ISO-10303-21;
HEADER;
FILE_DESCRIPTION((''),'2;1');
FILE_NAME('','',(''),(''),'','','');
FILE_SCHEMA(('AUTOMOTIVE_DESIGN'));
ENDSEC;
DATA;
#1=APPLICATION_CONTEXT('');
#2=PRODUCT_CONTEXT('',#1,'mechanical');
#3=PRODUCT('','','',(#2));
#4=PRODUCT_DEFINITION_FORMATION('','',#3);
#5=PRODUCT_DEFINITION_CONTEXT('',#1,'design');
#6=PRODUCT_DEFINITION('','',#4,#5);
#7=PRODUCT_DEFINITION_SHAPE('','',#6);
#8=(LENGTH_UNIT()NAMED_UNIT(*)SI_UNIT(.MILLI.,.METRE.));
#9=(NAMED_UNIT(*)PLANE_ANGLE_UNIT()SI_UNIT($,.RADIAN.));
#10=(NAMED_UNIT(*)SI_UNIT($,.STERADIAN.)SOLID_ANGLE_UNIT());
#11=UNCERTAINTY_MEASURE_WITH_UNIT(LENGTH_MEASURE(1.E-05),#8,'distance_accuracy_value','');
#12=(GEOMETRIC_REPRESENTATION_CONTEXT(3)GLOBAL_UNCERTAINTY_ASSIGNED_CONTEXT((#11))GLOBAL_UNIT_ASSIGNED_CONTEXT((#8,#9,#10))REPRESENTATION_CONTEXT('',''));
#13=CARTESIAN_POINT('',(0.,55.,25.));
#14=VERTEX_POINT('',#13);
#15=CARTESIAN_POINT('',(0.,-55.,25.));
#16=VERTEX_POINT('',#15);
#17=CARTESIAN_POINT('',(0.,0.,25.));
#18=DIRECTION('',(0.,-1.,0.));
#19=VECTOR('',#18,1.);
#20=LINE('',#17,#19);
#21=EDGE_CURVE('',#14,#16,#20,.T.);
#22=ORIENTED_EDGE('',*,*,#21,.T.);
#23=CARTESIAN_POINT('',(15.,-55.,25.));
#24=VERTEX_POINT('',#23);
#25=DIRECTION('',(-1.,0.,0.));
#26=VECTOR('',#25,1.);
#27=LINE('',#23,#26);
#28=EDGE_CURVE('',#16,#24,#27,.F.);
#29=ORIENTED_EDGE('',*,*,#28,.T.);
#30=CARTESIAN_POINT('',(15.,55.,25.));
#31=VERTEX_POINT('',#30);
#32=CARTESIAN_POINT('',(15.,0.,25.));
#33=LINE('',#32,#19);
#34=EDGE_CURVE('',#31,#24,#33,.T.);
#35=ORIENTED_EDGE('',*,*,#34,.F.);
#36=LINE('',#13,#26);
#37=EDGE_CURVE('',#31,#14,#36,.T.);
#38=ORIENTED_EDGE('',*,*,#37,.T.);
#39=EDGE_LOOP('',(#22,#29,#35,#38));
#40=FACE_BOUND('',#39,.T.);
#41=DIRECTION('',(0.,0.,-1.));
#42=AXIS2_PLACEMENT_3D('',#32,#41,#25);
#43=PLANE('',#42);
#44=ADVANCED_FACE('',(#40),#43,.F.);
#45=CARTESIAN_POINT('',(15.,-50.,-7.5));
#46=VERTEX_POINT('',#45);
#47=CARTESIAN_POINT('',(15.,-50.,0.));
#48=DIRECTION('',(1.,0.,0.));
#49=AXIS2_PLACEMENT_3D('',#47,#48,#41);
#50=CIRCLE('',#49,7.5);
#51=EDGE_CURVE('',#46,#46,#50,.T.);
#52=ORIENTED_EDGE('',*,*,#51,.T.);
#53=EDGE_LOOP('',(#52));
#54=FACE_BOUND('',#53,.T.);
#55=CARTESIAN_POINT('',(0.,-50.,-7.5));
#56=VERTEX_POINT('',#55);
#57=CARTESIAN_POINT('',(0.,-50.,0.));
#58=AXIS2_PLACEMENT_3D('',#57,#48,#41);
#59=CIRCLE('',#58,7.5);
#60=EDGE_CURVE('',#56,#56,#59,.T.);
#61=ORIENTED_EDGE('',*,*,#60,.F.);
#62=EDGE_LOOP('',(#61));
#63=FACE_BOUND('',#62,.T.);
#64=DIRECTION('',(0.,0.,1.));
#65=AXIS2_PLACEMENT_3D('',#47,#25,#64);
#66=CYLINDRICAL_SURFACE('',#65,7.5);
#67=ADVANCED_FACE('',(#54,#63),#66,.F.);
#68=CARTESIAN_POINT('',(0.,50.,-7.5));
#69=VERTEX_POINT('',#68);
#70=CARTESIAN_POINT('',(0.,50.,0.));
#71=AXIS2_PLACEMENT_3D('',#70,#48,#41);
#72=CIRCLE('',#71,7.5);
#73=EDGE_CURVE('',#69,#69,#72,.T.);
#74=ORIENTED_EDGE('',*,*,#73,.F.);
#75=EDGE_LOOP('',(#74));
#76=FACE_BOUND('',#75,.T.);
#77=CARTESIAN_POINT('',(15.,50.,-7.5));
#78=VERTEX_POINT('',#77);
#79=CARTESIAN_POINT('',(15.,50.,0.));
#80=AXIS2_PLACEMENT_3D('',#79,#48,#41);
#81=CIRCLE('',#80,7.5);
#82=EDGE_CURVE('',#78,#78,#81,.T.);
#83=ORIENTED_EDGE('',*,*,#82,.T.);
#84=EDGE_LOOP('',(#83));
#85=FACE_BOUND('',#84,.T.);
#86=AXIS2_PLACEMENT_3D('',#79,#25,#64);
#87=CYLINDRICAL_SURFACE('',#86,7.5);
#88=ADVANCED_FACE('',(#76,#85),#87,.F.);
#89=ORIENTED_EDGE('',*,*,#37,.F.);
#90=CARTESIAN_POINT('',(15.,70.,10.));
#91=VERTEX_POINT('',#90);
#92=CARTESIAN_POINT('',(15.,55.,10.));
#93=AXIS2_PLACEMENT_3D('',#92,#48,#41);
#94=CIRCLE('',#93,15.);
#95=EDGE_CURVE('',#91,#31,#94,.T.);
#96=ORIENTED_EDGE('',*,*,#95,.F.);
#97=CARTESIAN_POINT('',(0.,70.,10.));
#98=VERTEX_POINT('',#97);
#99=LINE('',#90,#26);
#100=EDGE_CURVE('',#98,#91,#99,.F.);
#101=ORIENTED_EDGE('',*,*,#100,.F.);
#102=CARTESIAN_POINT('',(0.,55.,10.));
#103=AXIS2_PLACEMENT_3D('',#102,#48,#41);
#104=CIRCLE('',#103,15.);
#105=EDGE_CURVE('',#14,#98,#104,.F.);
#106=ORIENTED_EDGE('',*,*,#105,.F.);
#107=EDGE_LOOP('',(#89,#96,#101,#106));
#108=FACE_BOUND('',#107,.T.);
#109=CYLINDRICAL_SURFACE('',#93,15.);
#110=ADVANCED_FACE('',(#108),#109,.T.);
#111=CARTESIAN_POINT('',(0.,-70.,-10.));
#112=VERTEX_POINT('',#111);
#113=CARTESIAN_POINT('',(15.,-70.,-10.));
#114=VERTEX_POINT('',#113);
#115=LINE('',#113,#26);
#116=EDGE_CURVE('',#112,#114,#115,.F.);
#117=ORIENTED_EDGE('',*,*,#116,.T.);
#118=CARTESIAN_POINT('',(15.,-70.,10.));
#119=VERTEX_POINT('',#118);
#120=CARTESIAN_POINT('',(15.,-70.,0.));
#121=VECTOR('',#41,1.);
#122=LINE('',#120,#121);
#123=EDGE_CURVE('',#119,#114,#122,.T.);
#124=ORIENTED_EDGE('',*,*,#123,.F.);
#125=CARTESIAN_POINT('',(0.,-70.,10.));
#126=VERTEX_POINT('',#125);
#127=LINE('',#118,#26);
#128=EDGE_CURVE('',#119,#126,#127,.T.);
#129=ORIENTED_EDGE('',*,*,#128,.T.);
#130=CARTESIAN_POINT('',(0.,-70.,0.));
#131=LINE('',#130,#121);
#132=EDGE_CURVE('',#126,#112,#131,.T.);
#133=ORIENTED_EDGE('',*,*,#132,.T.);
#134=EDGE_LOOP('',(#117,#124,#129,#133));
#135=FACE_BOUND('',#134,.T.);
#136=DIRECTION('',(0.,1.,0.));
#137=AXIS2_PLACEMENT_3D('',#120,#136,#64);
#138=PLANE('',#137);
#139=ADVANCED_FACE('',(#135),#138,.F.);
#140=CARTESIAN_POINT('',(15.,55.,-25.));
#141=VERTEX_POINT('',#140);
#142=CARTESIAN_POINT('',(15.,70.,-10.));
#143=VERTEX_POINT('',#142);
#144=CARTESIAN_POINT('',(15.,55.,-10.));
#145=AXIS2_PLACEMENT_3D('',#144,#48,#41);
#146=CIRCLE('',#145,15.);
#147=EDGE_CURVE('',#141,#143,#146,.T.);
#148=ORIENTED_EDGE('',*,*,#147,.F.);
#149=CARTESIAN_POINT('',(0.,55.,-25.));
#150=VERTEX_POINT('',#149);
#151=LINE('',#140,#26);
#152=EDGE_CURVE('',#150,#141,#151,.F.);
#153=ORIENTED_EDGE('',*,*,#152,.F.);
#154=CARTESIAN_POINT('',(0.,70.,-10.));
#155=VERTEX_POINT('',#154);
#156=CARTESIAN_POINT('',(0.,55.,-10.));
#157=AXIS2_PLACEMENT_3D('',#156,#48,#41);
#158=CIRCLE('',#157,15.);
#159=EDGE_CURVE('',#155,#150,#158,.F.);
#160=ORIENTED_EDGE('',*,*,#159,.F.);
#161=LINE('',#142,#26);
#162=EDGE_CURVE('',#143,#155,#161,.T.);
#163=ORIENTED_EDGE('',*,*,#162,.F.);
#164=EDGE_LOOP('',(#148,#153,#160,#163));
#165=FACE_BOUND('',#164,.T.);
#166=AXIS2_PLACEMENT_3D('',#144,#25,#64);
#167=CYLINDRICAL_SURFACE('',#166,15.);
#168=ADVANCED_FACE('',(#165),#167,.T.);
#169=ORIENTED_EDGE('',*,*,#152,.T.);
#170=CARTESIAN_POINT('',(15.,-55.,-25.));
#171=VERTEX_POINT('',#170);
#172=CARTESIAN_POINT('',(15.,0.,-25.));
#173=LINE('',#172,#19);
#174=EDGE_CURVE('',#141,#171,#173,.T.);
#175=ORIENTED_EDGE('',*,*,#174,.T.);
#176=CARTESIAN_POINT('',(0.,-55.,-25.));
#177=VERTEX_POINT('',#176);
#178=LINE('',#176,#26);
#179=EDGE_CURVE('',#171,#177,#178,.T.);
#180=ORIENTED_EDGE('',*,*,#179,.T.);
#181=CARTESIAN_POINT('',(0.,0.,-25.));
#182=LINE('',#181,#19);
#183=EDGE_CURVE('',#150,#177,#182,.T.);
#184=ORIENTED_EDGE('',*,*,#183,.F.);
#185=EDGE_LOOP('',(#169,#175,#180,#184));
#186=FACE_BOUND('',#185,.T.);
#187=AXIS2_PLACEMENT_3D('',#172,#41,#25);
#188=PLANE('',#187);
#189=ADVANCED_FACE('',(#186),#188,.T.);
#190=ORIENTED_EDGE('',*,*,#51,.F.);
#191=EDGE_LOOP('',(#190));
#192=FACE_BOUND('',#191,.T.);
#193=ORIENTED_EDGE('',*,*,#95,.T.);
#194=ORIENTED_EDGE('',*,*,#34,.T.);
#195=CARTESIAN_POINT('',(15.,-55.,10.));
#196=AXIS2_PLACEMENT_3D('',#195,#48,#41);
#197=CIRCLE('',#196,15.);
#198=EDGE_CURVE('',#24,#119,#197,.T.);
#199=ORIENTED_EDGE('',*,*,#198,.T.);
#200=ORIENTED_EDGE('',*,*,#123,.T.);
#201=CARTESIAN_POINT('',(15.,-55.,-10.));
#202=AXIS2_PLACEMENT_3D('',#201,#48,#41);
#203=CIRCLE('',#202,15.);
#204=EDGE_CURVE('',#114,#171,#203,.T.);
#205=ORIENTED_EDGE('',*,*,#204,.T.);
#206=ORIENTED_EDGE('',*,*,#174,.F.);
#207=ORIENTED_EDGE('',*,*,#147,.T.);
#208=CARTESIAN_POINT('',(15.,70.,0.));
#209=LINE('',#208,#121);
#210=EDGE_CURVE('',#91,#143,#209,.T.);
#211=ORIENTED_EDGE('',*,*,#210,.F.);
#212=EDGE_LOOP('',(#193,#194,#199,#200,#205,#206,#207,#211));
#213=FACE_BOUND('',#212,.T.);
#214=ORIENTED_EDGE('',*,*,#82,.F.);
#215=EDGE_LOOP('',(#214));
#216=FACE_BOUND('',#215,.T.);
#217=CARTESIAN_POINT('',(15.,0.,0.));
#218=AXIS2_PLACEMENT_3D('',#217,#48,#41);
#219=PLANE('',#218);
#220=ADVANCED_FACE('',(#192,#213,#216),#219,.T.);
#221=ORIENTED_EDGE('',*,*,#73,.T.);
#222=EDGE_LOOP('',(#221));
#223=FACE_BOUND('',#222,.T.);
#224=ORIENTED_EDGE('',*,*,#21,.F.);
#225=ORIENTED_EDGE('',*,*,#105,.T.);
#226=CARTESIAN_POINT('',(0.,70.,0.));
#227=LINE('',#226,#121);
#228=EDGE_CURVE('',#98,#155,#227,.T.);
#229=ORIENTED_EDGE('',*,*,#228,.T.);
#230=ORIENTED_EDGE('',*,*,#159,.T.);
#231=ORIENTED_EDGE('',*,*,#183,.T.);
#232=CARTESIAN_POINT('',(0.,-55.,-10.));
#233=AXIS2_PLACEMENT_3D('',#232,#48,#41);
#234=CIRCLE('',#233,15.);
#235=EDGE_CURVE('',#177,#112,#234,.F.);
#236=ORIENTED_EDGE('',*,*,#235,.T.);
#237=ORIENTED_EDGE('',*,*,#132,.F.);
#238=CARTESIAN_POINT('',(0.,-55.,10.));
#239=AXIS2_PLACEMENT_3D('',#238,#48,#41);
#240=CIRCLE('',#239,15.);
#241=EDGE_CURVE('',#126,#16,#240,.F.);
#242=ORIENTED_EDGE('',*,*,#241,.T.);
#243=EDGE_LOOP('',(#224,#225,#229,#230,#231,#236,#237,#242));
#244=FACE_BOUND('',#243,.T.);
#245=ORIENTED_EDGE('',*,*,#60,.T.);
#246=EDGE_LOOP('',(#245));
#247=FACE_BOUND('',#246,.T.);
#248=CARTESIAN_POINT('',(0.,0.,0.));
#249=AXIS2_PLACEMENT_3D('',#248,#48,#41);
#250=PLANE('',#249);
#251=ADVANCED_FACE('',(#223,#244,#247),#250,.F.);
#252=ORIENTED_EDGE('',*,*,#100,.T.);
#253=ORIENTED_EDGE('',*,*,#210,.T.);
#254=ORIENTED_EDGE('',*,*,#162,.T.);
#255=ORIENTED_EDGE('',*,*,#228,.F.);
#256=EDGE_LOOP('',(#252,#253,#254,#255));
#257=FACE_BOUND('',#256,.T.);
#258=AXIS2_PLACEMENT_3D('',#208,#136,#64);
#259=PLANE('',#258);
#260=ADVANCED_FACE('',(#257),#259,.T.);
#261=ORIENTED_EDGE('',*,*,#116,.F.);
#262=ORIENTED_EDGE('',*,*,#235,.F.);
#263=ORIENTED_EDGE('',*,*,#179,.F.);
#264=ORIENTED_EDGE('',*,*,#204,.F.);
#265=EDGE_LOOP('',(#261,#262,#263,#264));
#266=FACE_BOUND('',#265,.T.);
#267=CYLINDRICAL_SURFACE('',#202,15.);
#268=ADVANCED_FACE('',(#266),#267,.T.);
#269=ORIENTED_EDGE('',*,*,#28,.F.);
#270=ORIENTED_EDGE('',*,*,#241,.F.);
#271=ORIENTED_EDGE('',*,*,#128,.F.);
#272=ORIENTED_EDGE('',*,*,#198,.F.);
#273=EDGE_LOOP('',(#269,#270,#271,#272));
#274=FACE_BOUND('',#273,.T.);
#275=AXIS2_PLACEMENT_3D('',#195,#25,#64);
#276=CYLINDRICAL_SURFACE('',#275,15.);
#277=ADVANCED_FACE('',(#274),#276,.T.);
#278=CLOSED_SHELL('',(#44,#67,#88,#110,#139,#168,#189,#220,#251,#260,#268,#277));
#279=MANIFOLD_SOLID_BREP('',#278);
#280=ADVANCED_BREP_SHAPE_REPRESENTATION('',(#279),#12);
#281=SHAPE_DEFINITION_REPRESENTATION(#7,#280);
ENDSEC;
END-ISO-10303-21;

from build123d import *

# Parameters (mm, degrees)
SKETCH1_W           = 50
SKETCH1_H           = 140
BOSS_EXTRUDE1_DEPTH = 15
SKETCH1_3_R         = 7.5
CUT_EXTRUDE1_DEPTH  = 76.828754441
FILLET1_R           = 15


with BuildPart() as part:
    # Sketch1 → Boss-Extrude1 (new body)
    with BuildSketch(Plane(origin=(0, 0, 0), x_dir=(0, 0, -1), z_dir=(1, 0, 0))):
        Rectangle(SKETCH1_W, SKETCH1_H)
    extrude(amount=BOSS_EXTRUDE1_DEPTH)

    # Sketch1<3> → Cut-Extrude1 (cut, through all)
    with BuildSketch(Plane(origin=(0, 0, 0), x_dir=(0, 0, -1), z_dir=(1, 0, 0))):
        with Locations((0, 50)):
            Circle(SKETCH1_3_R)
        with Locations((0, -50)):
            Circle(SKETCH1_3_R)
    extrude(amount=CUT_EXTRUDE1_DEPTH, mode=Mode.SUBTRACT)

    # Fillet1
    fillet1_edges = [part.edges().sort_by_distance(p)[0] for p in [
        (7.5, -70, -25),
        (7.5, -70, 25),
        (7.5, 70, 25),
        (7.5, 70, -25),
    ]]
    fillet(fillet1_edges, radius=FILLET1_R)


solid = part.part
